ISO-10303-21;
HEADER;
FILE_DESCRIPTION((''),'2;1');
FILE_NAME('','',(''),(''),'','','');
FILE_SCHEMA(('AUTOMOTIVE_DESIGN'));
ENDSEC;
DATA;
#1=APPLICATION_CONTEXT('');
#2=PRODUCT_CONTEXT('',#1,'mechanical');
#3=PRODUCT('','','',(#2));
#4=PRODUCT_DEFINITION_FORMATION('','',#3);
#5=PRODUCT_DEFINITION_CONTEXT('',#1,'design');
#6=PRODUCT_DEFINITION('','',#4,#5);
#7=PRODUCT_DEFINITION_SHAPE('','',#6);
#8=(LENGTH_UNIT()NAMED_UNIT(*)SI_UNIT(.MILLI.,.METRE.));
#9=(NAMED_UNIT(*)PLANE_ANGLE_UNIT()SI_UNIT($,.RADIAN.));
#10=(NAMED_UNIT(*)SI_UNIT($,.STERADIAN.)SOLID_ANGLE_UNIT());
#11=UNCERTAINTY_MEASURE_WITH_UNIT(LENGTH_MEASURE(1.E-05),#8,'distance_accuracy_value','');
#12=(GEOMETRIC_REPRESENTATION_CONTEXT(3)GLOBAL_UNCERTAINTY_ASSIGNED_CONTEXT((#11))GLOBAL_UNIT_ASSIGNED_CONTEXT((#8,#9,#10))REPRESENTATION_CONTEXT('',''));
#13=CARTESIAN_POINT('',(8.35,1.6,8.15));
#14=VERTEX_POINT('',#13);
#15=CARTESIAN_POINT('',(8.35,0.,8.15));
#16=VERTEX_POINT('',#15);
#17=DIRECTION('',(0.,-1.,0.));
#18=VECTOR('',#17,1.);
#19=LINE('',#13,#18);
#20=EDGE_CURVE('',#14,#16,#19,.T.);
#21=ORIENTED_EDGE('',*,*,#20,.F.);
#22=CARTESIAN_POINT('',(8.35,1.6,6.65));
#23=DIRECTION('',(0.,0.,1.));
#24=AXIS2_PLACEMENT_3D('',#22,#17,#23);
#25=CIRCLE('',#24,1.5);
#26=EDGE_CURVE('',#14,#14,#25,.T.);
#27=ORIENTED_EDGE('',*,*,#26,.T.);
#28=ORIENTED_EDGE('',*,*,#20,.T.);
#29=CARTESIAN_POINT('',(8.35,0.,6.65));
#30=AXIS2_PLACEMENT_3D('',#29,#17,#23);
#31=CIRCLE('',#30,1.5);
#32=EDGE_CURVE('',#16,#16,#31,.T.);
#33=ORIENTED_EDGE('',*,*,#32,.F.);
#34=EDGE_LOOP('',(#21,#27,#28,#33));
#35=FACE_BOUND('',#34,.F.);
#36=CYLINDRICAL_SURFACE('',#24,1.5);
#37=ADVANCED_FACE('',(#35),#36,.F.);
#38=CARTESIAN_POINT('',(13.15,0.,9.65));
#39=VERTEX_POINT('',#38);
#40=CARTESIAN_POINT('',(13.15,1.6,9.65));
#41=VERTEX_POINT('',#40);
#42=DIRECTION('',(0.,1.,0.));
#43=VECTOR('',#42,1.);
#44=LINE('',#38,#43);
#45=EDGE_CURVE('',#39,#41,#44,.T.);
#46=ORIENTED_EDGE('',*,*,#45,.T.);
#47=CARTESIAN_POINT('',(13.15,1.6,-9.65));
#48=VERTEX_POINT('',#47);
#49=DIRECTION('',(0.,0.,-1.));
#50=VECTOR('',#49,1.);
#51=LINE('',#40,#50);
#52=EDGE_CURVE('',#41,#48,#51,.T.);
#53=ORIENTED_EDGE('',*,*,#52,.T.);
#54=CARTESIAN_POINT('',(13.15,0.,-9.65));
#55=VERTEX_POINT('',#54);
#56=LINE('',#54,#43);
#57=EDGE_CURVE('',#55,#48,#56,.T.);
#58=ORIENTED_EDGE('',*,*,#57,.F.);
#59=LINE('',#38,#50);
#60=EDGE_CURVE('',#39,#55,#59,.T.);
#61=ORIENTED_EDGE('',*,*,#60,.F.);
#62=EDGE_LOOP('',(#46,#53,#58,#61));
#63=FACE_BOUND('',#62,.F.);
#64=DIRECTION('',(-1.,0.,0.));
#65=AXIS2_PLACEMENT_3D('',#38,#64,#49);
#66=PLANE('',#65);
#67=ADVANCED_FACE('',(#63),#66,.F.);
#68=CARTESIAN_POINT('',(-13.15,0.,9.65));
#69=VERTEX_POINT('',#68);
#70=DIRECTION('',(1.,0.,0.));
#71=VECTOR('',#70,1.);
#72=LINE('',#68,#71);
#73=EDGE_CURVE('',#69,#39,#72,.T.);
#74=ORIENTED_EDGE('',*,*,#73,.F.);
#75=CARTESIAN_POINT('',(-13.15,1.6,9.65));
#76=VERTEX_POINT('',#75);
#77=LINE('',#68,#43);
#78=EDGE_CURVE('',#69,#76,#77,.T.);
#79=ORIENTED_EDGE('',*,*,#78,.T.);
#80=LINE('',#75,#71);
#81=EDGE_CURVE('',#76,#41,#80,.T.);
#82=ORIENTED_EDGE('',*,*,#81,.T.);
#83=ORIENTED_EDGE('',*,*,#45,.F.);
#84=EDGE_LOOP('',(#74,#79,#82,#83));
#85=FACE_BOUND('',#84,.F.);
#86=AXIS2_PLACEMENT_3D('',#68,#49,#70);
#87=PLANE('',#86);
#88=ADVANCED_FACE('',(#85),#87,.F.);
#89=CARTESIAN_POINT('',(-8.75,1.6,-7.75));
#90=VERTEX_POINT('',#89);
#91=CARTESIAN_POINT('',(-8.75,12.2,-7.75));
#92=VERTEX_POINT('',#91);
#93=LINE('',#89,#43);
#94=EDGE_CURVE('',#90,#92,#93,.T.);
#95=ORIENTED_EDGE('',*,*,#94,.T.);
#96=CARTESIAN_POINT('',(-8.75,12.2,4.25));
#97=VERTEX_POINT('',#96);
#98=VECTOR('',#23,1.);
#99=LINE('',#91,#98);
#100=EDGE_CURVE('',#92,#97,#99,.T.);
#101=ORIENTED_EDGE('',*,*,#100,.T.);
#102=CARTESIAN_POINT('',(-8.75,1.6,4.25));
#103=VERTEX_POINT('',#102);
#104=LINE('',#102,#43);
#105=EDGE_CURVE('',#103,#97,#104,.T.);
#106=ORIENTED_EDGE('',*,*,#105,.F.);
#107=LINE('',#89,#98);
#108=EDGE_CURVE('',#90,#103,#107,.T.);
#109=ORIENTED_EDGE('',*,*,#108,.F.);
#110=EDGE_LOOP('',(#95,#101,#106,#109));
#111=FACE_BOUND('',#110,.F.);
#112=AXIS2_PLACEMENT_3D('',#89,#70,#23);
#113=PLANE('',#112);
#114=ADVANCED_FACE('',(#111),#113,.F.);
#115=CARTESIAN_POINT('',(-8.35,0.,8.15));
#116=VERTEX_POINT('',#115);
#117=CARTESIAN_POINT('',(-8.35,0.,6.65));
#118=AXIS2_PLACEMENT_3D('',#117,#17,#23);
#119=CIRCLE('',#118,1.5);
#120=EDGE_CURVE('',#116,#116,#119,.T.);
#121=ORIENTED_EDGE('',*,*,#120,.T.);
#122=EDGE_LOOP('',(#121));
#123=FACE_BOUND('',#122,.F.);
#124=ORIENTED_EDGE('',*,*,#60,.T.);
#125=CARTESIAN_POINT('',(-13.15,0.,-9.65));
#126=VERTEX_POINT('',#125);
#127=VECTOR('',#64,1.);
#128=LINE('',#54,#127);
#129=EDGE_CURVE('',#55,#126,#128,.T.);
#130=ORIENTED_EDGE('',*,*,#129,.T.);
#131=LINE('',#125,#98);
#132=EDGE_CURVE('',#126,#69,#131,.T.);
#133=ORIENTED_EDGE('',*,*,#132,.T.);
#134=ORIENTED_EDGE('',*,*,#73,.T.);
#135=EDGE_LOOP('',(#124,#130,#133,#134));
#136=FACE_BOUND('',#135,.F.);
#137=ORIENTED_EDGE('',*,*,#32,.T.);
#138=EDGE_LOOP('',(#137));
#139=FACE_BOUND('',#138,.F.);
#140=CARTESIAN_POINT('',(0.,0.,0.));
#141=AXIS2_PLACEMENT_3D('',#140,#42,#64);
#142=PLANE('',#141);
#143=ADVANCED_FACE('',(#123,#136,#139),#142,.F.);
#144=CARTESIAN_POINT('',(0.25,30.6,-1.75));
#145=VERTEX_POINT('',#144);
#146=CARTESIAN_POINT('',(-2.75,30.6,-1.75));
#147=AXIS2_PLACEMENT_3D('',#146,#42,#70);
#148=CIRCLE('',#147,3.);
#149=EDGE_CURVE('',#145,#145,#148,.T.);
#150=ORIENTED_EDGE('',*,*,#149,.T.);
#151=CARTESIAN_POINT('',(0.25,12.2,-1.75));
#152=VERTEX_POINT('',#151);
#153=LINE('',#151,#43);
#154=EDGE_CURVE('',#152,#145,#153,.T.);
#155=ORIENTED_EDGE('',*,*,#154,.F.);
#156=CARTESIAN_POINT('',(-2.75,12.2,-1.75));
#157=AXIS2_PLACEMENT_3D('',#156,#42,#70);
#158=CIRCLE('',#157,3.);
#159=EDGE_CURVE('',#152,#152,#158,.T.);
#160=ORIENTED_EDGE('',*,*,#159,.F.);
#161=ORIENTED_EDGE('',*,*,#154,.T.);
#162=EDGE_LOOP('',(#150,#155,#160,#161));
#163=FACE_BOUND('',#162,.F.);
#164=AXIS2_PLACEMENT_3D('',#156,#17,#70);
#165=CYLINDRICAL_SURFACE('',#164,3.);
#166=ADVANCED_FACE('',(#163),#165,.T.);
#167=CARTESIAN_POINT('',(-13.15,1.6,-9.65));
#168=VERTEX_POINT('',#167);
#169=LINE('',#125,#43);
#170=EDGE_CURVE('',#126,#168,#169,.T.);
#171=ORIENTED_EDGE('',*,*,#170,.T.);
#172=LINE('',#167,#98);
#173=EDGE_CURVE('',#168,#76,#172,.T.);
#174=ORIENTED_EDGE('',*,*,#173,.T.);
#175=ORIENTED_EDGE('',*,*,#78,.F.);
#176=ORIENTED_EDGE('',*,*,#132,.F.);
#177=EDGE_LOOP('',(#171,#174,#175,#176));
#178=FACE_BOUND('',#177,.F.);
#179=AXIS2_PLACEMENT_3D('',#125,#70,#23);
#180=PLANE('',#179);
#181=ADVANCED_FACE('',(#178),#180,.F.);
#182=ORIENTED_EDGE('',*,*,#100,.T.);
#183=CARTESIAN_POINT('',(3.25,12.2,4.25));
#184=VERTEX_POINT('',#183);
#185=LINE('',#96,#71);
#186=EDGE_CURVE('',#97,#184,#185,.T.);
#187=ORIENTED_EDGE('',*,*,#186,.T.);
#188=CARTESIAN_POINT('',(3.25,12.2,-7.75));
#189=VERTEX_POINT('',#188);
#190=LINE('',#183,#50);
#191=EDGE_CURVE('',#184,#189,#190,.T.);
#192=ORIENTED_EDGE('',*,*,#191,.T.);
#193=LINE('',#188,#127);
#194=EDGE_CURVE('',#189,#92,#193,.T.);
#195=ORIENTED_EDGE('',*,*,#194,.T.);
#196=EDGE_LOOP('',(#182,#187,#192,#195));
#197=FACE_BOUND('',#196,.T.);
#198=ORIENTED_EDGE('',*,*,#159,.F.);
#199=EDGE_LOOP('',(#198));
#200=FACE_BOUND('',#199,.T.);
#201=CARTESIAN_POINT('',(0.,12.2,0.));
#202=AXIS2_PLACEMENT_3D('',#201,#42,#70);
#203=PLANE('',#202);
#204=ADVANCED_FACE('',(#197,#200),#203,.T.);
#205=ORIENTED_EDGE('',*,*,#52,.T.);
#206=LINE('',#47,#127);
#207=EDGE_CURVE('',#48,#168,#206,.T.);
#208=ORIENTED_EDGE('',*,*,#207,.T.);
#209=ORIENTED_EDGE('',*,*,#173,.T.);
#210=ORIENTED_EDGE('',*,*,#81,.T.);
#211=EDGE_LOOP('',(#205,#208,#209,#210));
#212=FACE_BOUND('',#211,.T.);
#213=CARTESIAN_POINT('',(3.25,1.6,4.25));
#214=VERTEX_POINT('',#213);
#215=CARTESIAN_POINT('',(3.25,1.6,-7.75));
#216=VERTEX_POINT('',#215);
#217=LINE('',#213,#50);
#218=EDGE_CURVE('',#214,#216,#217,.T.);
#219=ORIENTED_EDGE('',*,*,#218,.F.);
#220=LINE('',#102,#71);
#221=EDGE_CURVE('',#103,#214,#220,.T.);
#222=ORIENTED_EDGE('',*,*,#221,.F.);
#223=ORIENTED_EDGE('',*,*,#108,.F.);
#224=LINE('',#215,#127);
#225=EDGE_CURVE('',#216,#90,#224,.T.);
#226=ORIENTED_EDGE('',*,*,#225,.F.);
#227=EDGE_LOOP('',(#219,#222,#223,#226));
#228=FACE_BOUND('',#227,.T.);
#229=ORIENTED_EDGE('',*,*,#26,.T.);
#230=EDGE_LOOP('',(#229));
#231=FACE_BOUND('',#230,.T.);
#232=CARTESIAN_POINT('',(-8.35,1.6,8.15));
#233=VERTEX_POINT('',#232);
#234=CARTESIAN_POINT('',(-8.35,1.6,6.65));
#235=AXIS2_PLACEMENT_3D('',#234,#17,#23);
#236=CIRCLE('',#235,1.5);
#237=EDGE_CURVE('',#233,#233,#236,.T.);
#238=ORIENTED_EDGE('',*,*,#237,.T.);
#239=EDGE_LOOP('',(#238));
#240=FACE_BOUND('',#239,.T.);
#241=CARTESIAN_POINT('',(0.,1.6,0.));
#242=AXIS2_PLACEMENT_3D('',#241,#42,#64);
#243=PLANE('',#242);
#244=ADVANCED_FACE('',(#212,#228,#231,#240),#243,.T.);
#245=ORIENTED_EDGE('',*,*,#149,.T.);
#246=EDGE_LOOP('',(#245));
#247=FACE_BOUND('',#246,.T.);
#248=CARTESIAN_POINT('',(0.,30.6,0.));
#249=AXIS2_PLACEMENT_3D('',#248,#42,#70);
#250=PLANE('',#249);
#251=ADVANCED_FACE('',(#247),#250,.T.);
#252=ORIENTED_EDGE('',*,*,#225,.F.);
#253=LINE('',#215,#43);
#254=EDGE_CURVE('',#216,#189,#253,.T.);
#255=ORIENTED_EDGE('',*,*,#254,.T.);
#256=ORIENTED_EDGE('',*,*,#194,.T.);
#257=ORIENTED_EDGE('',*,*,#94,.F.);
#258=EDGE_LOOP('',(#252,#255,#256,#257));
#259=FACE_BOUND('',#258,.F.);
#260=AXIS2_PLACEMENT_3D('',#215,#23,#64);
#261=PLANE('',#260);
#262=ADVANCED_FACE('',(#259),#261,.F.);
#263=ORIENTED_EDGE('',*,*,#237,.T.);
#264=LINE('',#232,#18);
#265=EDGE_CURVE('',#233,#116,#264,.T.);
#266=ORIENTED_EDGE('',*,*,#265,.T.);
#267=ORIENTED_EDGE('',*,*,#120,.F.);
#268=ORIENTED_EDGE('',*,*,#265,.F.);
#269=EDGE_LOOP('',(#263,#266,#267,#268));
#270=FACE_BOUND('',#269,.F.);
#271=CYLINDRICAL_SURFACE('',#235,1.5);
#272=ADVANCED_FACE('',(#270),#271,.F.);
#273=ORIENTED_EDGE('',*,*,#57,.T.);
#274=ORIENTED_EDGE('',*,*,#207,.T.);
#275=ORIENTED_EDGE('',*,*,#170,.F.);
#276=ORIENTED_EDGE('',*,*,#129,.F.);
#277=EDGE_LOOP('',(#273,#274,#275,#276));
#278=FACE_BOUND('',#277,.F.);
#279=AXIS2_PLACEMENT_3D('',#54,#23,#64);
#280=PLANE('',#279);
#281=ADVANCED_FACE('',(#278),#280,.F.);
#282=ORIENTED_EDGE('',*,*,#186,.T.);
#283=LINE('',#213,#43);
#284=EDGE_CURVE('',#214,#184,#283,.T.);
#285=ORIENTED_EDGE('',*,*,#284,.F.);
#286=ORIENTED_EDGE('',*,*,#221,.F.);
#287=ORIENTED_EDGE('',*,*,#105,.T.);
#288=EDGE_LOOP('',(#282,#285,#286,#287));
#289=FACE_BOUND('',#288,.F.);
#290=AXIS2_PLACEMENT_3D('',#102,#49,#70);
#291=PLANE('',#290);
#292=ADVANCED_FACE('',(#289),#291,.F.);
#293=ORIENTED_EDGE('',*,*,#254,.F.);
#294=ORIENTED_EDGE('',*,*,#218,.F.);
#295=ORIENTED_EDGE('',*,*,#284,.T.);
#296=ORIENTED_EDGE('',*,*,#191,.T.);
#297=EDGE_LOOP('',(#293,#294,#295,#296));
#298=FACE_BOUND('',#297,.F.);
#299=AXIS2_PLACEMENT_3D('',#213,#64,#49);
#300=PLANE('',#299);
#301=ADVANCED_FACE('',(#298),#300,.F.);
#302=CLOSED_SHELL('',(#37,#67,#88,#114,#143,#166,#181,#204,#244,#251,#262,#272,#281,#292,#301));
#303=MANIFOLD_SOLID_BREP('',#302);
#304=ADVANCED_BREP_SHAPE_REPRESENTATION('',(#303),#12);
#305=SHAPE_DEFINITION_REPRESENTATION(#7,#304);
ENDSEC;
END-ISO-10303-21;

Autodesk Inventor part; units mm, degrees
ref_plane "YZ Plane" through (0, 0, 0) normal (1, 0, 0) x (0, 1, 0)
ref_plane "XZ Plane" through (0, 0, 0) normal (0, 1, 0) x (-1, 0, 0)
ref_plane "XY Plane" through (0, 0, 0) normal (0, 0, 1) x (1, 0, 0)
sketch "Sketch1" plane through (0, 0, 0) normal (0, 1, 0) x (-1, 0, 0)
  line L0 (13.15, 9.65) -> (-13.15, 9.65)
  line L1 (-13.15, 9.65) -> (-13.15, -9.65)
  line L2 (-13.15, -9.65) -> (13.15, -9.65)
  line L3 (13.15, -9.65) -> (13.15, 9.65)
  point P0 (0, 0)
  dimension "d0" = 19.3
  dimension "d1" = 26.3
  dimension "d2" = 9.65
  dimension "d3" = 13.15
extrude "Extrusion1" add sketch "Sketch1" along normal blind 1.6
sketch "Sketch2" plane through (0, 1.6, 0) normal (0, 1, 0) x (1, 0, 0)
  line L0 (-8.75, -4.25) -> (3.25, -4.25)
  line L1 (3.25, -4.25) -> (3.25, 7.75)
  line L2 (3.25, 7.75) -> (-8.75, 7.75)
  line L3 (-8.75, 7.75) -> (-8.75, -4.25)
  line L4 (13.15, 9.65) -> (-13.15, 9.65) projected
  line L5 (-13.15, 9.65) -> (-13.15, -9.65) projected
  point P0 (0, 0)
  dimension "d6" = 12
  dimension "d7" = 12
  dimension "d8" = 1.9
  dimension "d9" = 4.4
extrude "Extrusion2" add sketch "Sketch2" along normal blind 10.6
sketch "Sketch3" plane through (0, 12.2, 0) normal (0, 1, 0) x (1, 0, 0)
  circle A0 centre (-2.75, 1.75) radius 3
  line L0 (-8.75, 7.75) -> (-8.75, -4.25) projected
  line L1 (3.25, 7.75) -> (-8.75, 7.75) projected
  point P0 (0, 0)
  dimension "d12" = 6
  dimension "d13" = 6
  dimension "d14" = 6
extrude "Extrusion3" add sketch "Sketch3" along normal blind 18.4
sketch "Sketch4" plane through (0, 1.6, 0) normal (0, 1, 0) x (1, 0, 0)
  line L0 (-13.15, -9.65) -> (13.15, -9.65) projected
  line L1 (13.15, -9.65) -> (13.15, 9.65) projected
  line L2 (-13.15, 9.65) -> (-13.15, -9.65) projected
  point P0 (0, 0)
  point P1 (-8.35, -6.65)
  point P2 (8.35, -6.65)
  dimension "d17" = 3
  dimension "d18" = 4.8
  dimension "d19" = 4.8
hole "Hole1" at (-8.35, 1.6, 6.65) at (8.35, 1.6, 6.65) direction (0, -1, 0) diameter 2 end through all counterbore diameter 3 counterbore depth 2
properties part number "Rotary_Encoder_Model"
